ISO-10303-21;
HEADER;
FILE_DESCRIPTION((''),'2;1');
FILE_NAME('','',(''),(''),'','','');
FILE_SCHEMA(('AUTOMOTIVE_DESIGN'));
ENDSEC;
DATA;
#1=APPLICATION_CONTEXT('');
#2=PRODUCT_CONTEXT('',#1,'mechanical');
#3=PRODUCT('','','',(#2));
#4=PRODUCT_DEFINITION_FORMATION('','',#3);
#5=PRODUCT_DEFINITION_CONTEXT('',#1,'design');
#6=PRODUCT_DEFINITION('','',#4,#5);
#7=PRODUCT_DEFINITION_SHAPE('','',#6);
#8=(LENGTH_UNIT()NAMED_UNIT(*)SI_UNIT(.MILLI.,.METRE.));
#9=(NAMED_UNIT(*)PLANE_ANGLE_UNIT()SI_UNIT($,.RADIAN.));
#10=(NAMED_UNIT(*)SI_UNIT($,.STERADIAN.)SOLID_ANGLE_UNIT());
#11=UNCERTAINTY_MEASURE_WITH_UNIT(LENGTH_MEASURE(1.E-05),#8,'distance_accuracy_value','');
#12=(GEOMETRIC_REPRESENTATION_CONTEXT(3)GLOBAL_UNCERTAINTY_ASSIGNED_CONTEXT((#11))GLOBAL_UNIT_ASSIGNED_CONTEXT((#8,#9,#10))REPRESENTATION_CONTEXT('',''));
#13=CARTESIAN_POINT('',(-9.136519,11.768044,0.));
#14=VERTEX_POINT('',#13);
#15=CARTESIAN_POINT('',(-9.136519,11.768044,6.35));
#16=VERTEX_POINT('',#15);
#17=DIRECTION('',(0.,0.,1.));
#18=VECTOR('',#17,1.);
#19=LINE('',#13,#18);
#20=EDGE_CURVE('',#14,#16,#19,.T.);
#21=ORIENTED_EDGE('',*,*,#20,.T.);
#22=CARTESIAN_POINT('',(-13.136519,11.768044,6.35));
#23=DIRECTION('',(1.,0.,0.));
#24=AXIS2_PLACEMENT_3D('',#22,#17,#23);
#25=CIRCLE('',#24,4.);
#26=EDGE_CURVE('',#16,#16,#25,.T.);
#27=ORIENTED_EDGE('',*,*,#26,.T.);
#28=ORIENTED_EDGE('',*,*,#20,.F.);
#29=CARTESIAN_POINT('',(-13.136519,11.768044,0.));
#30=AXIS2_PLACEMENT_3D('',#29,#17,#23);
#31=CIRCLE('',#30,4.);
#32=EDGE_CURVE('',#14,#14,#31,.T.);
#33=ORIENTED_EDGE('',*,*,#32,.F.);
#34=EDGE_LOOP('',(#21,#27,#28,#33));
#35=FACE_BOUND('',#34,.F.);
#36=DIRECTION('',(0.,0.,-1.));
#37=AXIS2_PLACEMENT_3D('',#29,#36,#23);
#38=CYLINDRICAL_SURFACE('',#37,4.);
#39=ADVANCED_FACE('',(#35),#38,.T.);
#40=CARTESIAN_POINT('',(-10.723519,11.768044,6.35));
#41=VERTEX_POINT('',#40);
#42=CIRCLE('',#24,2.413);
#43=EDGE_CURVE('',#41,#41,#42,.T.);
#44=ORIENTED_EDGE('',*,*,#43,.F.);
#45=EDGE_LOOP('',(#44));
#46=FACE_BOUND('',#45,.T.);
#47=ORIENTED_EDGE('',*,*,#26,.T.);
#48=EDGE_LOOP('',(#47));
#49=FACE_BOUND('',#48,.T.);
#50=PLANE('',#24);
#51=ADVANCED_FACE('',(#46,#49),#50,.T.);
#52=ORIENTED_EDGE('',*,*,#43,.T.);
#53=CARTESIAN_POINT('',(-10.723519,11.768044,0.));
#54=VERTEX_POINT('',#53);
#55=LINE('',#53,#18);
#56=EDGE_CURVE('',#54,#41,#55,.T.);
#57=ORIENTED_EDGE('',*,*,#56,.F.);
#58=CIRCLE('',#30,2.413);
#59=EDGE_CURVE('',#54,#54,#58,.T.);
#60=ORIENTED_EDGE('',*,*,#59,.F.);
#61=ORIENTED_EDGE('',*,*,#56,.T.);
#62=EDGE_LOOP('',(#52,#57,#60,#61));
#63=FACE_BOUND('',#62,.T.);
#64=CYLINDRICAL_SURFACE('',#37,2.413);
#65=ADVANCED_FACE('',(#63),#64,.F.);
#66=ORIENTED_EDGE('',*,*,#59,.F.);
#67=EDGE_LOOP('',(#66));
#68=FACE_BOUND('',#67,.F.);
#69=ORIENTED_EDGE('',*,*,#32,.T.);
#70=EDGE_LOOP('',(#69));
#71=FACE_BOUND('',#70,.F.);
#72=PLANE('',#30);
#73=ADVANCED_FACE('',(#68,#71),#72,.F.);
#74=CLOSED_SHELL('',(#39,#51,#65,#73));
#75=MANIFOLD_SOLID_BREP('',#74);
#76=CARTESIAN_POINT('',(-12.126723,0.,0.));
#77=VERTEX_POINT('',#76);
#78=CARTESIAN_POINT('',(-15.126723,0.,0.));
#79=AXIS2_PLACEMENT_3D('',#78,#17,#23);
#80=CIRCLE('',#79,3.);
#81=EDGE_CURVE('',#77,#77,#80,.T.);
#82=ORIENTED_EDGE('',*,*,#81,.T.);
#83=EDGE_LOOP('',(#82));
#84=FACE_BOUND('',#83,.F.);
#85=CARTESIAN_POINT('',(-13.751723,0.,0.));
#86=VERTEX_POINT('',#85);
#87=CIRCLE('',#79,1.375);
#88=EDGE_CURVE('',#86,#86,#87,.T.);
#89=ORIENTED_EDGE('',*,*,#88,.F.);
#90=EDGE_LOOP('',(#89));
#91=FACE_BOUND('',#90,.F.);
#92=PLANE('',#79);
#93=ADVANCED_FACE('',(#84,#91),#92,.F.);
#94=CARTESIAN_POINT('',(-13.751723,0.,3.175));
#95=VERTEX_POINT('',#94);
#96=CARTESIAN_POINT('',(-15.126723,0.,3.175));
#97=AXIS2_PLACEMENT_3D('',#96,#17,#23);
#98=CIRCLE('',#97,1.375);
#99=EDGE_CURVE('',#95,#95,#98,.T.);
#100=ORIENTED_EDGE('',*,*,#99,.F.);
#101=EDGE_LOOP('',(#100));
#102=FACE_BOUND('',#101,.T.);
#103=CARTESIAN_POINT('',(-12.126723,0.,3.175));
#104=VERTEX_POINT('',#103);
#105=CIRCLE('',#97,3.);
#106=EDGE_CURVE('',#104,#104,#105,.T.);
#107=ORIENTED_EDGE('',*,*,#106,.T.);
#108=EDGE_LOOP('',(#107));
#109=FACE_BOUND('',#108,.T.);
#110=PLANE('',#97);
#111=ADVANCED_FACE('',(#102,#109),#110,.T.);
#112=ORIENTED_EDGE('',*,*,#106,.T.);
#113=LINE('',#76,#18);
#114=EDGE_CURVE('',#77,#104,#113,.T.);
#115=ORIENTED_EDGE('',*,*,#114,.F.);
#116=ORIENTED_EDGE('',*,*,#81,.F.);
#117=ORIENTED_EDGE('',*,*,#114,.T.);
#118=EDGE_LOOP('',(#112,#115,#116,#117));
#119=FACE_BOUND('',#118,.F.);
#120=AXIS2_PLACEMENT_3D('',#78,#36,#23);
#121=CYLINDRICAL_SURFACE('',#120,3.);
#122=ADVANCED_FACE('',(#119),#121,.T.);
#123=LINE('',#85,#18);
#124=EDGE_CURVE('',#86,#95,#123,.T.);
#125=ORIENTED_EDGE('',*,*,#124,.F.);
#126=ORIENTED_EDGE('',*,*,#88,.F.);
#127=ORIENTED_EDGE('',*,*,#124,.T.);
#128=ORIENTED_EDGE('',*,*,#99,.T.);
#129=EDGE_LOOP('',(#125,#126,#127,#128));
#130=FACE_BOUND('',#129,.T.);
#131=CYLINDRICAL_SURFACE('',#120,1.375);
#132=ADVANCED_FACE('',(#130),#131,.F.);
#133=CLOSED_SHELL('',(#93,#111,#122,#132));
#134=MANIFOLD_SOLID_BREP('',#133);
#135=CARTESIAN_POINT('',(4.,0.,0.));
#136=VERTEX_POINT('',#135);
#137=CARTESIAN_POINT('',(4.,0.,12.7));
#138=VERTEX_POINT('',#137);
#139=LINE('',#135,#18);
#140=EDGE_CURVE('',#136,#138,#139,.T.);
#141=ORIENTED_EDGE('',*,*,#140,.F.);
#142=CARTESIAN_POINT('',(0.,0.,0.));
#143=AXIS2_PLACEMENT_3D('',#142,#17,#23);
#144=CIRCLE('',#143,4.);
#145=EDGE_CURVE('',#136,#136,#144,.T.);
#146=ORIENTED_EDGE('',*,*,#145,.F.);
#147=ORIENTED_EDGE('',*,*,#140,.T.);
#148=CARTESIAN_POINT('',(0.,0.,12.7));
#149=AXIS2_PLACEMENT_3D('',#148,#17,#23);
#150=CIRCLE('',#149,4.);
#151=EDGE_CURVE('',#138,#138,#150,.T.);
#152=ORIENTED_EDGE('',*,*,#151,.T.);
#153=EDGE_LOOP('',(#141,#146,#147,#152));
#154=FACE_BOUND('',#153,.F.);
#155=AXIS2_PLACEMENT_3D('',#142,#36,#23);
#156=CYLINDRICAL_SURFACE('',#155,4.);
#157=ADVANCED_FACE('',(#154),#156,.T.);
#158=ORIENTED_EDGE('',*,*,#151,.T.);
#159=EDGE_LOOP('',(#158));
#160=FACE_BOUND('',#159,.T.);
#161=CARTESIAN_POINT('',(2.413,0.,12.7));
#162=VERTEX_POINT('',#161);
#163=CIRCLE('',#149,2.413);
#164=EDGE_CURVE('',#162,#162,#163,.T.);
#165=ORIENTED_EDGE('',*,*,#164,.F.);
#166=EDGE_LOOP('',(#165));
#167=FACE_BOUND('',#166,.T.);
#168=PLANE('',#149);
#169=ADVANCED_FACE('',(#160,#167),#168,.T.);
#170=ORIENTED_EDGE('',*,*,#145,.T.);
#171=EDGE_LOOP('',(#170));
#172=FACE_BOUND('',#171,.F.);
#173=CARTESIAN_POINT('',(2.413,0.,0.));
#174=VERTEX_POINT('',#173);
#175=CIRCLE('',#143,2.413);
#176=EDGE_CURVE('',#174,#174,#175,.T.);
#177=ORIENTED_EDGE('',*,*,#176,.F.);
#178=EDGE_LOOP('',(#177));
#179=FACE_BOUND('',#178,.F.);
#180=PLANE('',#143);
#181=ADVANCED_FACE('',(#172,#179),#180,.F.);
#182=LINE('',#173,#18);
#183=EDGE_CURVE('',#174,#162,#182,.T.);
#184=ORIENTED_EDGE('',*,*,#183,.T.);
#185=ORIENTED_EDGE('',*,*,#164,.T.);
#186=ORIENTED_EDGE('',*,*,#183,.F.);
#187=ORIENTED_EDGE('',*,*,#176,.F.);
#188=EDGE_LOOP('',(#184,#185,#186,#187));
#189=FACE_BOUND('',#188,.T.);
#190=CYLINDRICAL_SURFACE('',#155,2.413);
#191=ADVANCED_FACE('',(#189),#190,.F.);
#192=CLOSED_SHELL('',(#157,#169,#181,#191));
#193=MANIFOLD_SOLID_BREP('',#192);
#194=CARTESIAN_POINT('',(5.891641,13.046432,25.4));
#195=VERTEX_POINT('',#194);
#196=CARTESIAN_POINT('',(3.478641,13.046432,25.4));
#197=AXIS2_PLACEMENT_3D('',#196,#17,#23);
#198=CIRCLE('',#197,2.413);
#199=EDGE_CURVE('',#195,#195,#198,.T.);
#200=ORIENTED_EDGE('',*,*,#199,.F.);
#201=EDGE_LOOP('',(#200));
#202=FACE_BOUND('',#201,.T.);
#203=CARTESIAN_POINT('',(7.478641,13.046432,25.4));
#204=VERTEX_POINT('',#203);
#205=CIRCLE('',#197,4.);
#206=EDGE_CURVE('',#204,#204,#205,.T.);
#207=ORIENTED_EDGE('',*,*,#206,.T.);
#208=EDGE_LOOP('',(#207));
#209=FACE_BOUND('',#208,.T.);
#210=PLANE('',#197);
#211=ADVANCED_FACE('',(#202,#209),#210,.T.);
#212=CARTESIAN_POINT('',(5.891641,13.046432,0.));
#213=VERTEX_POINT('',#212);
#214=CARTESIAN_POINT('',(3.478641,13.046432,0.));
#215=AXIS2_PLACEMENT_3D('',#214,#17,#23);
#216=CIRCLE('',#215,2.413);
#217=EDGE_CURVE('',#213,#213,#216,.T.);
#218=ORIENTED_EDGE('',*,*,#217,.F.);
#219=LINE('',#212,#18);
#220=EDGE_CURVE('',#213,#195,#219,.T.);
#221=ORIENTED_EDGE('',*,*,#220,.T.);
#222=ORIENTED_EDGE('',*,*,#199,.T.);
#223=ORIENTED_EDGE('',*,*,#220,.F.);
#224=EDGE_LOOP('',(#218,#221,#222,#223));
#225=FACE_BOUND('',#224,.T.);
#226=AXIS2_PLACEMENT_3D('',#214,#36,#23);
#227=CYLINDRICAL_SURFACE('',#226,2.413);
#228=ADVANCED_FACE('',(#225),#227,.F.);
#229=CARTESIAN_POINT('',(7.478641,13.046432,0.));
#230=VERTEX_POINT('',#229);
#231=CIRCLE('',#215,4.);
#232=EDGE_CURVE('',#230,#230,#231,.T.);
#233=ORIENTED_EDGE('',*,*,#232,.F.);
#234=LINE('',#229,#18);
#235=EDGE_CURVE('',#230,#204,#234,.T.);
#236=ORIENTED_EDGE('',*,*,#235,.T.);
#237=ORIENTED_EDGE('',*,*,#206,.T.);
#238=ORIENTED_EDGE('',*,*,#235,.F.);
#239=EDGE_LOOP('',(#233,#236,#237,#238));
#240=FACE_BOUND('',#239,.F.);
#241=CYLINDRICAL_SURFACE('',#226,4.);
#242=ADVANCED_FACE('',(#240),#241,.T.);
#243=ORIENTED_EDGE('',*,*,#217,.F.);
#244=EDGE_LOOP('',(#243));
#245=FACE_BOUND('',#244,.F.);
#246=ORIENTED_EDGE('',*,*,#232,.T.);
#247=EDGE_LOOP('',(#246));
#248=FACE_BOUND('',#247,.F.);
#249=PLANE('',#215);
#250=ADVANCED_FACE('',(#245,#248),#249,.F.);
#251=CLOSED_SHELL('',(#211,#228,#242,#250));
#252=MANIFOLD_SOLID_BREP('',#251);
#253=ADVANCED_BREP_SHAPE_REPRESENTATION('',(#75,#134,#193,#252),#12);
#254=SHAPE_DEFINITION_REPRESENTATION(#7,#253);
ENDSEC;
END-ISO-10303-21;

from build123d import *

# Parameters (mm, degrees)
F0_R     = 4
F0_R_2   = 2.413
F4_DEPTH = 25.4
F1_R     = 4
F1_R_2   = 2.413
F5_DEPTH = 12.7
F2_R     = 4
F2_R_2   = 2.413
F6_DEPTH = 6.35
F3_R     = 3
F3_R_2   = 1.375
F7_DEPTH = 3.175


with BuildPart() as f4:
    # F0 (on Top) → F4 (new body)
    with BuildSketch(Plane.XY):
        with Locations((3.478641, 13.046432)):
            Circle(F0_R)
        with Locations((3.478641, 13.046432)):
            Circle(F0_R_2, mode=Mode.SUBTRACT)
    extrude(amount=F4_DEPTH)


with BuildPart() as f5:
    # F1 (on Top) → F5 (new body)
    with BuildSketch(Plane.XY):
        Circle(F1_R)
        Circle(F1_R_2, mode=Mode.SUBTRACT)
    extrude(amount=F5_DEPTH)


with BuildPart() as f6:
    # F2 (on Top) → F6 (new body)
    with BuildSketch(Plane.XY):
        with Locations((-13.136519, 11.768044)):
            Circle(F2_R)
        with Locations((-13.136519, 11.768044)):
            Circle(F2_R_2, mode=Mode.SUBTRACT)
    extrude(amount=F6_DEPTH)


with BuildPart() as f7:
    # F3 (on Top) → F7 (new body)
    with BuildSketch(Plane.XY):
        with Locations((-15.126723, 0)):
            Circle(F3_R)
        with Locations((-15.126723, 0)):
            Circle(F3_R_2, mode=Mode.SUBTRACT)
    extrude(amount=F7_DEPTH)


solid = Compound([f4.part, f5.part, f6.part, f7.part])
